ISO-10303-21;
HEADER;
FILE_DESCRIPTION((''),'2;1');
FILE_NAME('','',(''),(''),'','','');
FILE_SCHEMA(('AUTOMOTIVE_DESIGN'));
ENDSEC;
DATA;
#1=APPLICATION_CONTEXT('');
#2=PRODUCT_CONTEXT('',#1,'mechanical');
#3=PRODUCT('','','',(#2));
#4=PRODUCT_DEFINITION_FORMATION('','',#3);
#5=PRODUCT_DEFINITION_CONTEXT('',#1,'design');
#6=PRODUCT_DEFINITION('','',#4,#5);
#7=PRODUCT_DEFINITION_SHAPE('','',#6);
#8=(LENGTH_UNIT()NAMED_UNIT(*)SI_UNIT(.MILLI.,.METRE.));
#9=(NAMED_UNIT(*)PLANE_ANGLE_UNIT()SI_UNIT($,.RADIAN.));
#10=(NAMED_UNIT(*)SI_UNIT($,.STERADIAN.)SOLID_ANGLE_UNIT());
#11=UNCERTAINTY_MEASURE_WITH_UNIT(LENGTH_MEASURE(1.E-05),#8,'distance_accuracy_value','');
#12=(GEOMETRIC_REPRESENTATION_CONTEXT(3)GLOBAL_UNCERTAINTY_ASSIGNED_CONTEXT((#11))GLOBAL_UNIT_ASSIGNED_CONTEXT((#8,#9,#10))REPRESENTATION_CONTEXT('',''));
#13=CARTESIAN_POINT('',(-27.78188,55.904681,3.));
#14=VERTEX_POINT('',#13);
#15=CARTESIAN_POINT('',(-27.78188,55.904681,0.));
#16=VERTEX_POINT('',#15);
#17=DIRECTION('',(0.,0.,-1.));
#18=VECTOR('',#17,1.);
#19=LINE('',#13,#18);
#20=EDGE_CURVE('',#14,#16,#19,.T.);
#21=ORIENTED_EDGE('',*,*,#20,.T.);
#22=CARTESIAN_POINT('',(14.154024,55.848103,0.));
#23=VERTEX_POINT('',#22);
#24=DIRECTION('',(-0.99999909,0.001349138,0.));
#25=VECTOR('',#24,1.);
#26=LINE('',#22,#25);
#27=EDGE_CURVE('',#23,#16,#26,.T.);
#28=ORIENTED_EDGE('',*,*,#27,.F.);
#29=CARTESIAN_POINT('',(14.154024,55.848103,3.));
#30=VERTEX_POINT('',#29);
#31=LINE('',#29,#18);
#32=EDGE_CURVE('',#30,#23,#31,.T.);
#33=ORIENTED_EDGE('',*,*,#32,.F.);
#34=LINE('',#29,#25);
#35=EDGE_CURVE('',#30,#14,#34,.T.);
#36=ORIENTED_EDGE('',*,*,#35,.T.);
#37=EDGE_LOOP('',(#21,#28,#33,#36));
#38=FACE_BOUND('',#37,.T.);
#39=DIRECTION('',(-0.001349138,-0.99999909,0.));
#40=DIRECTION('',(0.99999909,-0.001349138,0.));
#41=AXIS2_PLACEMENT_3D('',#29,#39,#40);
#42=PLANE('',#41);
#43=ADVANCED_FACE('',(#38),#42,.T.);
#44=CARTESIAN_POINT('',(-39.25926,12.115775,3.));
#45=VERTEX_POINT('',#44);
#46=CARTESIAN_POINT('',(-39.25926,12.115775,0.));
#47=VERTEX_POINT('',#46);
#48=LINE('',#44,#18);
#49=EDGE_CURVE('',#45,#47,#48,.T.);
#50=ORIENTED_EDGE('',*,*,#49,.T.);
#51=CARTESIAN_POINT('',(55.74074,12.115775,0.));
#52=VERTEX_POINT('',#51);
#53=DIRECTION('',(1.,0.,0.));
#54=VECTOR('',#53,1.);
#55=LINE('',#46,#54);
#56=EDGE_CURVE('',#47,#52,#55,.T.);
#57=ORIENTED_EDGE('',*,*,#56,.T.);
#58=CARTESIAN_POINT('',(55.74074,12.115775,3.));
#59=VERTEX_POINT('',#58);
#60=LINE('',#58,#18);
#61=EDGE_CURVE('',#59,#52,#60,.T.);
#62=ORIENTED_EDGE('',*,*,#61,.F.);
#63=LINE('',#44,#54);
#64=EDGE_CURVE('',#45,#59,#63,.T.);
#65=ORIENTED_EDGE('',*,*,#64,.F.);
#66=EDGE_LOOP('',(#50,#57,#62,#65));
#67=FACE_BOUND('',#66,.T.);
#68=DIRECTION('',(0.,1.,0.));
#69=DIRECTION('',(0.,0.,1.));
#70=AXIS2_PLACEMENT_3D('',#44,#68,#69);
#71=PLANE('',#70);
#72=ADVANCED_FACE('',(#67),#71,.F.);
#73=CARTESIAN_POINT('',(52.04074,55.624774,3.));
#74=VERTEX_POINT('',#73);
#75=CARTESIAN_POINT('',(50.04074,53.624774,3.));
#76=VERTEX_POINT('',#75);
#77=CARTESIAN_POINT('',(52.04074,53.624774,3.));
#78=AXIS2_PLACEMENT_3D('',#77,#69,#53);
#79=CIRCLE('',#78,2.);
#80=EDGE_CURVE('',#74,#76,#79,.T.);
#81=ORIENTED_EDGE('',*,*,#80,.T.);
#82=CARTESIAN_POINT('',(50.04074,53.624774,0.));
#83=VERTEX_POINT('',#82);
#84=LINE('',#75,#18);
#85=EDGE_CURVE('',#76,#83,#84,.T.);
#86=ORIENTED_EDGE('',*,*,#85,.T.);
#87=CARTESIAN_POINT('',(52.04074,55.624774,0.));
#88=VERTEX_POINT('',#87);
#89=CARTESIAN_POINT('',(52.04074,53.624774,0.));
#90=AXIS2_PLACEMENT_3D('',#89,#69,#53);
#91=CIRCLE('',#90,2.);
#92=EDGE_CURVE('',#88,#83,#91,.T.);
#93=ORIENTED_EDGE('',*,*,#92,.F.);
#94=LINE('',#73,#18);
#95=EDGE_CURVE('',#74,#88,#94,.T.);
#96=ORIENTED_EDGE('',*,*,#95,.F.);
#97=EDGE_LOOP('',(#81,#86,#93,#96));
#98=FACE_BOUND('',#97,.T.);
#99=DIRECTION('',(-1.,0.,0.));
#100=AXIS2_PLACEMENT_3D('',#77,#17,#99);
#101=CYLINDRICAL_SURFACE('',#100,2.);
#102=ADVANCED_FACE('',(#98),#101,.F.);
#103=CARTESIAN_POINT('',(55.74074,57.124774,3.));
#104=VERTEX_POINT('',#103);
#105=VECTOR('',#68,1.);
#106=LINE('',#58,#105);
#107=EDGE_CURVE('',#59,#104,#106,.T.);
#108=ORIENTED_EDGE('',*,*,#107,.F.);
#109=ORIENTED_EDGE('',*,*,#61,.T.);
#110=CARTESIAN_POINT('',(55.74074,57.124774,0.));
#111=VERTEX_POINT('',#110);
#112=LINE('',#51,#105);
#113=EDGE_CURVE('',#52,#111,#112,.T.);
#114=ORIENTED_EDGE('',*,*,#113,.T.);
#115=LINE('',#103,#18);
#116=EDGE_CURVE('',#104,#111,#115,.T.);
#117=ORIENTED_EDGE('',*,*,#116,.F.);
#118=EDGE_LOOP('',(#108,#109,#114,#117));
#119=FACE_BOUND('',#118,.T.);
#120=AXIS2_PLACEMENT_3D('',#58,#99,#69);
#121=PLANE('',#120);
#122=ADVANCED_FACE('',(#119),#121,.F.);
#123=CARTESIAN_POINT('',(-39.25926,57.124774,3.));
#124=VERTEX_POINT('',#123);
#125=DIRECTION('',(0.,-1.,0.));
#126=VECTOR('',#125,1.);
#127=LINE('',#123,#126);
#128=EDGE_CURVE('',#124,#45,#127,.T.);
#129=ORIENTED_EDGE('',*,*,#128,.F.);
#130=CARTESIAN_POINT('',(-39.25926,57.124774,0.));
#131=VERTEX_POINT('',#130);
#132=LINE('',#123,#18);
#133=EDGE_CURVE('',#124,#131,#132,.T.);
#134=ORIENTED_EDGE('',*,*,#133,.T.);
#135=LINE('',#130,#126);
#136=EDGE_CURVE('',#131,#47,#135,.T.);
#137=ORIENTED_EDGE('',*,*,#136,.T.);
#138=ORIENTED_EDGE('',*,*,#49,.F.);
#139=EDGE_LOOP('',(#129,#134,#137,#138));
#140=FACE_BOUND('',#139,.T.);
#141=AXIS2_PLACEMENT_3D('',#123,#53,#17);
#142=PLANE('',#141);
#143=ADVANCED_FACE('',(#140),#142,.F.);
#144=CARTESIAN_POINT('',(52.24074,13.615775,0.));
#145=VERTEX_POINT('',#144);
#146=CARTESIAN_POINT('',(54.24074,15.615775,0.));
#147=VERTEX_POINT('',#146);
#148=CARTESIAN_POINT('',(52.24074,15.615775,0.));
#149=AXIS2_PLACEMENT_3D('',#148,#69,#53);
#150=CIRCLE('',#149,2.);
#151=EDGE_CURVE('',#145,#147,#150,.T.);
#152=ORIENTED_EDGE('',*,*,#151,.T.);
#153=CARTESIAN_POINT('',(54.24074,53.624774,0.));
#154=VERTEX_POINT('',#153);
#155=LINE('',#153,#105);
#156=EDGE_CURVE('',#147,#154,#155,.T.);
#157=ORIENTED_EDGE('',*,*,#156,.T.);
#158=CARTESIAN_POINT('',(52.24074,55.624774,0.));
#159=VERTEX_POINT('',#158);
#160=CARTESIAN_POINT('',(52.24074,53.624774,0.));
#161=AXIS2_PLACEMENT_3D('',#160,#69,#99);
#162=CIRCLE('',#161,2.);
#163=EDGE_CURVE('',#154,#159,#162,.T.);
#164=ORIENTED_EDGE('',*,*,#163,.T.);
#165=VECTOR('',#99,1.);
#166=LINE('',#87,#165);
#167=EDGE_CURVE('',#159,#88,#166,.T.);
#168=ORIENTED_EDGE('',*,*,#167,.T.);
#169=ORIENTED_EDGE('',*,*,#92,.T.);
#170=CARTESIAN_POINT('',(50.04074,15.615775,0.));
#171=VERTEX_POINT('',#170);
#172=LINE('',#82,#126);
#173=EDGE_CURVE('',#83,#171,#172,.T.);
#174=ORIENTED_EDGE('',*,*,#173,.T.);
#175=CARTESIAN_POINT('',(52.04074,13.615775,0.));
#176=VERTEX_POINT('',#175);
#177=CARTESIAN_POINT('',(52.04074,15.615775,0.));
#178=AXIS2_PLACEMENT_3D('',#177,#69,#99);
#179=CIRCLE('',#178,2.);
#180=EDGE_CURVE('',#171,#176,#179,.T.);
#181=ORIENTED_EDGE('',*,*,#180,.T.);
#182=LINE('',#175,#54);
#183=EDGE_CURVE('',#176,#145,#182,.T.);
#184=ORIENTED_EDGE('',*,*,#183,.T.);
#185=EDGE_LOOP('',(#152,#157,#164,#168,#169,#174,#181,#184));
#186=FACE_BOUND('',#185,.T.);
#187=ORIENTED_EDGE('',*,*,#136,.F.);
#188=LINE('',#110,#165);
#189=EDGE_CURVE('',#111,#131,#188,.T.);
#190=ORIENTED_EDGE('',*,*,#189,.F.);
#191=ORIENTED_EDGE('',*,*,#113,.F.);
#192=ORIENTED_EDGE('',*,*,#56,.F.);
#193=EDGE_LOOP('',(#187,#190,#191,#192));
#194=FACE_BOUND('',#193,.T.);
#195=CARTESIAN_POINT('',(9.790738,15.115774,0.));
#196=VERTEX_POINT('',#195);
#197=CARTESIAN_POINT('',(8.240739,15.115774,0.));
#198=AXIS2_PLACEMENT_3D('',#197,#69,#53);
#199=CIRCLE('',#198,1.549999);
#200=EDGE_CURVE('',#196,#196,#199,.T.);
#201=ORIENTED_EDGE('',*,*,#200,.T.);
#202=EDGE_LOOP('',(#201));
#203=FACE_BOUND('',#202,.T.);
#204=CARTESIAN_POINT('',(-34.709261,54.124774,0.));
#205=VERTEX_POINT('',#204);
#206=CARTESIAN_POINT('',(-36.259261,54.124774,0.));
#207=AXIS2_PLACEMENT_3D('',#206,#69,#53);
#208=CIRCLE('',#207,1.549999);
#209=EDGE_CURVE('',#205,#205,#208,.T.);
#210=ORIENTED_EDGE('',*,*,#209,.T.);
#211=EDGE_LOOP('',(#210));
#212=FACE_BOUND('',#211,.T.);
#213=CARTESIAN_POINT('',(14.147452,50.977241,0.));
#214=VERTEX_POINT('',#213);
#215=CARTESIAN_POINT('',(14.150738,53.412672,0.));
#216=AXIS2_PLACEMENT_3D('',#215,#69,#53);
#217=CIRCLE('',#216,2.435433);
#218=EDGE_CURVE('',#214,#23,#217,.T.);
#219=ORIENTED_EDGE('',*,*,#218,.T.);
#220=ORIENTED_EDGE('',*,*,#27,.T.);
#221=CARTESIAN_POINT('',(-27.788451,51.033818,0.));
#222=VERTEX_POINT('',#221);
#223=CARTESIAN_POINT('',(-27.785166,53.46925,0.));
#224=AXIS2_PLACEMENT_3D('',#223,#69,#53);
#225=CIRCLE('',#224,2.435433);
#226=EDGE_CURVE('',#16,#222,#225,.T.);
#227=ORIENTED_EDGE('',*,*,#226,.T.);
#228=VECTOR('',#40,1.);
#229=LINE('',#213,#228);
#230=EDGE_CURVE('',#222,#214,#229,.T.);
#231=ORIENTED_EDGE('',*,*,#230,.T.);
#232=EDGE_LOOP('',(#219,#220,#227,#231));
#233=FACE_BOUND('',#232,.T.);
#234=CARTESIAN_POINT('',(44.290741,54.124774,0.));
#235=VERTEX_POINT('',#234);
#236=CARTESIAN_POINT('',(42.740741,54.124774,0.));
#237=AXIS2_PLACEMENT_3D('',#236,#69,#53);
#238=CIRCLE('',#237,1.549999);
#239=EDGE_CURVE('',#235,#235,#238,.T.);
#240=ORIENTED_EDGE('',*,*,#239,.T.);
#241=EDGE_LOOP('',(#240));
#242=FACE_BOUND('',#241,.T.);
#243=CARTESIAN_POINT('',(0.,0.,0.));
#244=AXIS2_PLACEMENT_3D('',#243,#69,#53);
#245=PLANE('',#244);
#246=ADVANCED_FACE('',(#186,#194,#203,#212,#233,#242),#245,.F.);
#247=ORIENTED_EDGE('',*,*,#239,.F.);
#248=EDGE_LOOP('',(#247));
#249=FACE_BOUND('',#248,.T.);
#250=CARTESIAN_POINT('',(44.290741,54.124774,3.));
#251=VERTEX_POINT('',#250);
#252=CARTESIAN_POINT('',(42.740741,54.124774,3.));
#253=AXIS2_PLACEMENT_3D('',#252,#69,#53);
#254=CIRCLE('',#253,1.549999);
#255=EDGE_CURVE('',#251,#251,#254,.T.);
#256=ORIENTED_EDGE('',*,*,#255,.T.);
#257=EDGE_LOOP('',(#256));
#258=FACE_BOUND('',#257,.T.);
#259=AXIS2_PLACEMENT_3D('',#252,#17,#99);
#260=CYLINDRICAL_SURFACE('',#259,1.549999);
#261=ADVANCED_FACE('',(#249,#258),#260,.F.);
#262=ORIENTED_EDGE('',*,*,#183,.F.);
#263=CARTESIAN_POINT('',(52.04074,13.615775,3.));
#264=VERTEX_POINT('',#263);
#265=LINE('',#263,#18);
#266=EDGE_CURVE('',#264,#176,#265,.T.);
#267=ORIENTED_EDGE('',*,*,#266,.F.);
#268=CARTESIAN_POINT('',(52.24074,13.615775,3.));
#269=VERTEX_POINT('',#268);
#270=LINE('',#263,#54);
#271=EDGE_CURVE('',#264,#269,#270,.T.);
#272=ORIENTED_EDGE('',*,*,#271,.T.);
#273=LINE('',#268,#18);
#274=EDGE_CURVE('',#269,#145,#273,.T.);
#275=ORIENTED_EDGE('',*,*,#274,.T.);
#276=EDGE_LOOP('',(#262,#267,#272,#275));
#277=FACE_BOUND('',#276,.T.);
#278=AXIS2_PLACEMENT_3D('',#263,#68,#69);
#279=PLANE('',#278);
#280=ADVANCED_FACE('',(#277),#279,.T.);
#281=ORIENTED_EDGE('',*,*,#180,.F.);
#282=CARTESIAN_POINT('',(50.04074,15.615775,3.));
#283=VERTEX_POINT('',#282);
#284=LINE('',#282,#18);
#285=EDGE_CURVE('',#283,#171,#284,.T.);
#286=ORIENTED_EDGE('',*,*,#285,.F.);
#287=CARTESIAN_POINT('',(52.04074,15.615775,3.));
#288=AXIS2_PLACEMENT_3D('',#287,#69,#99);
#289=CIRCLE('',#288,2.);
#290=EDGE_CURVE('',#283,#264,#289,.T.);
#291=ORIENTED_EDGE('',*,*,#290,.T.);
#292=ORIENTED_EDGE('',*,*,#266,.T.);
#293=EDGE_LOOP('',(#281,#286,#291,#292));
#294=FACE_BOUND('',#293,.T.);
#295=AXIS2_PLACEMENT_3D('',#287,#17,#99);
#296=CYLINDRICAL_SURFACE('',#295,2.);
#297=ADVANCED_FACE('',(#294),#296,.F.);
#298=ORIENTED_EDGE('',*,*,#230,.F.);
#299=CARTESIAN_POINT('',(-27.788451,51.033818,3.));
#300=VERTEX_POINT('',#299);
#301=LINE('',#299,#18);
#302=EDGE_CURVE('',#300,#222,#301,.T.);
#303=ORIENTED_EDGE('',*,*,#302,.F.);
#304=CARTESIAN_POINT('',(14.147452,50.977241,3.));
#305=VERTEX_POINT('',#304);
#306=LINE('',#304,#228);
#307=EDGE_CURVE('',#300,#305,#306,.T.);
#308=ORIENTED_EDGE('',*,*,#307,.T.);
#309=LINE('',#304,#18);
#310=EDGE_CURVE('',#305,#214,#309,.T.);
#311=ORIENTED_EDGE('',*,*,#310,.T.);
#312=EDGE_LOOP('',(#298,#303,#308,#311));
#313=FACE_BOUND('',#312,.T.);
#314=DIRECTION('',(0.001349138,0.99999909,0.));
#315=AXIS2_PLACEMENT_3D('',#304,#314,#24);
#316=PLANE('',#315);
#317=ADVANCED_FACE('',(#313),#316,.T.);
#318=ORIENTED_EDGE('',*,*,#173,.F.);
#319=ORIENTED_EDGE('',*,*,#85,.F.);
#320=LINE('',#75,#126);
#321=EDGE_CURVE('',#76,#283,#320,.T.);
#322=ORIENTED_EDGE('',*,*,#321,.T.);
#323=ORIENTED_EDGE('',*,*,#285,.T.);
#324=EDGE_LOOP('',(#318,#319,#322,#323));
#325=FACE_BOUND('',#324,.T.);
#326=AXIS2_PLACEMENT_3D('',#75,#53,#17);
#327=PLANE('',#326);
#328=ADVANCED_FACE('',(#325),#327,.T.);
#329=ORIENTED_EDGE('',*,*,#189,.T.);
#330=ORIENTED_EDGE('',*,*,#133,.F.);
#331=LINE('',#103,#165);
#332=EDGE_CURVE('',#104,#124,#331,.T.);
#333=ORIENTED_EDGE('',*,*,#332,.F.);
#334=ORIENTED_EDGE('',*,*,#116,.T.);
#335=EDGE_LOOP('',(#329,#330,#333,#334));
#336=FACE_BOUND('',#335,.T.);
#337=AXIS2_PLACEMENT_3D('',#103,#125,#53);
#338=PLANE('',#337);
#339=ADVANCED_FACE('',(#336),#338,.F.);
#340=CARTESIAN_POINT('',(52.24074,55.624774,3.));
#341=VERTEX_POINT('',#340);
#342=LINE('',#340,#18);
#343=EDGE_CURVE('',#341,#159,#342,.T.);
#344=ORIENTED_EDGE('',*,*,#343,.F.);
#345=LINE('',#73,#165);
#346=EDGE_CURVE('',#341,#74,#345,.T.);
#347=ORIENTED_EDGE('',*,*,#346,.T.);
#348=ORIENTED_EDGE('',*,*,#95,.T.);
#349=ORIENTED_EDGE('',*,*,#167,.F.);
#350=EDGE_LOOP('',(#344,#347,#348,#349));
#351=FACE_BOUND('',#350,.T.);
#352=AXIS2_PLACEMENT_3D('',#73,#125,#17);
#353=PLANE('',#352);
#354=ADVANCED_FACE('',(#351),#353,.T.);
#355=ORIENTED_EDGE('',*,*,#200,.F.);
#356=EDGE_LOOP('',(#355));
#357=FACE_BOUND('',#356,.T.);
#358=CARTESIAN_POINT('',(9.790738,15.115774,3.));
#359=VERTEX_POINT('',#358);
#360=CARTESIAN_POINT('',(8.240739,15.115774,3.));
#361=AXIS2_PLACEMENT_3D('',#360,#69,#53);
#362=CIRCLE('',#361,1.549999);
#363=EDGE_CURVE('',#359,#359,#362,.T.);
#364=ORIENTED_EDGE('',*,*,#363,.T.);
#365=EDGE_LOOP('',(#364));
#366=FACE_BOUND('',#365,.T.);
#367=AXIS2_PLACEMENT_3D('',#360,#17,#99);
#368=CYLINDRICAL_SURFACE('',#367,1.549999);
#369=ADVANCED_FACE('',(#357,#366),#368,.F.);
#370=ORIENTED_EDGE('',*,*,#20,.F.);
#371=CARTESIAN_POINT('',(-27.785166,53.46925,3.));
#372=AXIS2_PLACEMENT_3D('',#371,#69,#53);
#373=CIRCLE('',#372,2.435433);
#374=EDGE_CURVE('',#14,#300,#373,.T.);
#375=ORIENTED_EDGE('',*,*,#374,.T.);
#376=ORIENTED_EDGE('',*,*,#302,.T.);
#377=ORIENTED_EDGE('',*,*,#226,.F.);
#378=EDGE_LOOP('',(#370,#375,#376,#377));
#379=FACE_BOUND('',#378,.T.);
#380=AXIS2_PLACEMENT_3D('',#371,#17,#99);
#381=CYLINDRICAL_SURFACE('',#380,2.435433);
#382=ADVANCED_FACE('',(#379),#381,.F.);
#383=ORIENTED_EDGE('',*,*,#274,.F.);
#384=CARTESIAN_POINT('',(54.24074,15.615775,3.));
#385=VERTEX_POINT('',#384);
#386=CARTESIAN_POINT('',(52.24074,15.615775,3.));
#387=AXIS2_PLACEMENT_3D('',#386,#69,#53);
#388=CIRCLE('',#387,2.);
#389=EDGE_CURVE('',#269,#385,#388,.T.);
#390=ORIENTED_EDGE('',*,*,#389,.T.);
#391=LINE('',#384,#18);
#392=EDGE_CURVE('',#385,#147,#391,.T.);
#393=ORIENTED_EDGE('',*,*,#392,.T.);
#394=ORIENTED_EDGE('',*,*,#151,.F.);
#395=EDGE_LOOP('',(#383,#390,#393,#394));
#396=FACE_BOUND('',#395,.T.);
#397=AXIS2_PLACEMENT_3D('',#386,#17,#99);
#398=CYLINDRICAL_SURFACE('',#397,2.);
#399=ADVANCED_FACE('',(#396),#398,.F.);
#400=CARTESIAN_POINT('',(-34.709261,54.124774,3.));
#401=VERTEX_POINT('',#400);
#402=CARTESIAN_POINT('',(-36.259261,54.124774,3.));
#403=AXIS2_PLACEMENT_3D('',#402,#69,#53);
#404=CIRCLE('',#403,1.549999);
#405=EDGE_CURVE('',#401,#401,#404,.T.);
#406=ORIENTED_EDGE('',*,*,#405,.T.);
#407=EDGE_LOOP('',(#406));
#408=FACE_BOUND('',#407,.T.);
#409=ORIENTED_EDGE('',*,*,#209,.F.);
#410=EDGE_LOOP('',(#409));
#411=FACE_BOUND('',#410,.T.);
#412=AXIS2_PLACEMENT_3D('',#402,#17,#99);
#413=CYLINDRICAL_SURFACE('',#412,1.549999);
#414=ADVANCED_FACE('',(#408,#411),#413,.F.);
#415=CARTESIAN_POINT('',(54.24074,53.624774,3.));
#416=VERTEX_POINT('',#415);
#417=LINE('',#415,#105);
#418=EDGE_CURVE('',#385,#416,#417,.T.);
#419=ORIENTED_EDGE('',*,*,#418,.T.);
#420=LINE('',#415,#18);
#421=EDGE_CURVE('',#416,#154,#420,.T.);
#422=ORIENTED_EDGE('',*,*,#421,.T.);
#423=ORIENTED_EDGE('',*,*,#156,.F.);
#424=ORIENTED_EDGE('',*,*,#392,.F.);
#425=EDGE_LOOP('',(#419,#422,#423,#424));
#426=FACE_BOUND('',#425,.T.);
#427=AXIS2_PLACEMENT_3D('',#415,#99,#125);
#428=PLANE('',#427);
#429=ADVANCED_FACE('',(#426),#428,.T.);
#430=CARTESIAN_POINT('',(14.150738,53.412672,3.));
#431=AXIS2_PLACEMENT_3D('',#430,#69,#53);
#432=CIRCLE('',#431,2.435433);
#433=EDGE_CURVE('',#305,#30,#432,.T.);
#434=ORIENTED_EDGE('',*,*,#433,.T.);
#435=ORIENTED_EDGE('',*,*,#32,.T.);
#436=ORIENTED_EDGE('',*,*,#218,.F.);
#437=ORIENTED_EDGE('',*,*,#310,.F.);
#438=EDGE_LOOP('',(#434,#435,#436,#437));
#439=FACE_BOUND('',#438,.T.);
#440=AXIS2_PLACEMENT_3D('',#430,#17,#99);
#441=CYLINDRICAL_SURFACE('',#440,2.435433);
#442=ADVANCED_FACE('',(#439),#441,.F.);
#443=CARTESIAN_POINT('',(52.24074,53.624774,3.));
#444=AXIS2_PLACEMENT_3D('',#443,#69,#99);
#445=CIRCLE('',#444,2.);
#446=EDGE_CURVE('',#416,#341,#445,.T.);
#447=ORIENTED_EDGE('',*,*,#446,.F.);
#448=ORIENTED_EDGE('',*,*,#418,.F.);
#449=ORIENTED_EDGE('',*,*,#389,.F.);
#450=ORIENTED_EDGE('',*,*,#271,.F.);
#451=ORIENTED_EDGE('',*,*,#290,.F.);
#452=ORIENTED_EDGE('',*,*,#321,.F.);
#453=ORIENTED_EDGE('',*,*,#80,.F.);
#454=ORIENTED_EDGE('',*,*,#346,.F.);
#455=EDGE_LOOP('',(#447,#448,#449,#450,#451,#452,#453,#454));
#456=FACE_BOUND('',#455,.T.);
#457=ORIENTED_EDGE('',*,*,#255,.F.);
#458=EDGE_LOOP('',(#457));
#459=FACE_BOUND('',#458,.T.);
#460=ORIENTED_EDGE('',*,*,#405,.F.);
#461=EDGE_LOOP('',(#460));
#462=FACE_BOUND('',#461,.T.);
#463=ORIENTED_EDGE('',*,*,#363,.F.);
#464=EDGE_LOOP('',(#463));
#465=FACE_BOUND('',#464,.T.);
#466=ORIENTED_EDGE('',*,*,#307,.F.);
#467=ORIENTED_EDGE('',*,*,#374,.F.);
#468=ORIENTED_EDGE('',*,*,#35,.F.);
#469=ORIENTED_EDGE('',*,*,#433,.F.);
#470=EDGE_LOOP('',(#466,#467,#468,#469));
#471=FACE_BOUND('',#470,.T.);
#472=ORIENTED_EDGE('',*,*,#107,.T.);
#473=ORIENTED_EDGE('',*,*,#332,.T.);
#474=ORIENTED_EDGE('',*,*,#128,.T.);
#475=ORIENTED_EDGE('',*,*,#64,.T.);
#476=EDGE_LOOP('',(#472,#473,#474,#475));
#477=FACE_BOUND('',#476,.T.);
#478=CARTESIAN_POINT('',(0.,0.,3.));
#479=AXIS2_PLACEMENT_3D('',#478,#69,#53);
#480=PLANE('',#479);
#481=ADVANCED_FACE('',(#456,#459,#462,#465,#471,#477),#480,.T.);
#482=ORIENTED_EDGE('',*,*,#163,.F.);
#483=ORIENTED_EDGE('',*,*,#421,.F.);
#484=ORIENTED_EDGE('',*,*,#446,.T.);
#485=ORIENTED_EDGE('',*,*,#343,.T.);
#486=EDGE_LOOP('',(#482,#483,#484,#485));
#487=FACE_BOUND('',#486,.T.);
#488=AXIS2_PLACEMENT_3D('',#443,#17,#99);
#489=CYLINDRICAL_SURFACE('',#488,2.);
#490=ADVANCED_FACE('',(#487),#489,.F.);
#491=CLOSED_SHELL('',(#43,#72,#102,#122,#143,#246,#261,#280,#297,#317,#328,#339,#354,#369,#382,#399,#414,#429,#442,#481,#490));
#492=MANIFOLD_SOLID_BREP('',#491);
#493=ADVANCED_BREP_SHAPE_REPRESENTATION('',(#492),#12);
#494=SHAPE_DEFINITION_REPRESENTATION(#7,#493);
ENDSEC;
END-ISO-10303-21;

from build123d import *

# Parameters (mm, degrees)
SKETCH4_W           = 95
SKETCH4_H           = 45.00899887
SKETCH4_R           = 1.54999944
BOSS_EXTRUDE6_DEPTH = 3


with BuildPart() as part:
    # Sketch4 → Boss-Extrude6 (new body)
    with BuildSketch(Plane.XY):
        with Locations((8.24074008, 34.620274583)):
            Rectangle(SKETCH4_W, SKETCH4_H)
        with Locations((42.74074118, 54.124774018)):
            Circle(SKETCH4_R, mode=Mode.SUBTRACT)
        with Locations((8.24073906, 15.115774228)):
            Circle(SKETCH4_R, mode=Mode.SUBTRACT)
        with Locations((-36.25926084, 54.124774018)):
            Circle(SKETCH4_R, mode=Mode.SUBTRACT)
        with BuildLine():
            Line((52.04074008, 55.624774018), (52.24074008, 55.624774018))
            ThreePointArc((52.24074008, 55.624774018), (53.654953642, 55.038987581), (54.24074008, 53.624774018))
            Line((54.24074008, 53.624774018), (54.24074008, 15.615775148))
            ThreePointArc((54.24074008, 15.615775148), (53.654953642, 14.201561585), (52.24074008, 13.615775148))
            Line((52.24074008, 13.615775148), (52.04074008, 13.615775148))
            ThreePointArc((52.04074008, 13.615775148), (50.626526517, 14.201561585), (50.04074008, 15.615775148))
            Line((50.04074008, 15.615775148), (50.04074008, 53.624774018))
            ThreePointArc((50.04074008, 53.624774018), (50.626526517, 55.038987581), (52.04074008, 55.624774018))
        make_face(mode=Mode.SUBTRACT)
        with BuildLine():
            Line((14.14745222, 50.977241122), (-27.788451431, 51.033818491))
            ThreePointArc((-27.788451431, 51.033818491), (-30.220596767, 53.472535297), (-27.781879961, 55.904680633))
            Line((-27.781879961, 55.904680633), (14.15402369, 55.848103264))
            ThreePointArc((14.15402369, 55.848103264), (16.586169026, 53.409386458), (14.14745222, 50.977241122))
        make_face(mode=Mode.SUBTRACT)
    extrude(amount=BOSS_EXTRUDE6_DEPTH)


solid = part.part
